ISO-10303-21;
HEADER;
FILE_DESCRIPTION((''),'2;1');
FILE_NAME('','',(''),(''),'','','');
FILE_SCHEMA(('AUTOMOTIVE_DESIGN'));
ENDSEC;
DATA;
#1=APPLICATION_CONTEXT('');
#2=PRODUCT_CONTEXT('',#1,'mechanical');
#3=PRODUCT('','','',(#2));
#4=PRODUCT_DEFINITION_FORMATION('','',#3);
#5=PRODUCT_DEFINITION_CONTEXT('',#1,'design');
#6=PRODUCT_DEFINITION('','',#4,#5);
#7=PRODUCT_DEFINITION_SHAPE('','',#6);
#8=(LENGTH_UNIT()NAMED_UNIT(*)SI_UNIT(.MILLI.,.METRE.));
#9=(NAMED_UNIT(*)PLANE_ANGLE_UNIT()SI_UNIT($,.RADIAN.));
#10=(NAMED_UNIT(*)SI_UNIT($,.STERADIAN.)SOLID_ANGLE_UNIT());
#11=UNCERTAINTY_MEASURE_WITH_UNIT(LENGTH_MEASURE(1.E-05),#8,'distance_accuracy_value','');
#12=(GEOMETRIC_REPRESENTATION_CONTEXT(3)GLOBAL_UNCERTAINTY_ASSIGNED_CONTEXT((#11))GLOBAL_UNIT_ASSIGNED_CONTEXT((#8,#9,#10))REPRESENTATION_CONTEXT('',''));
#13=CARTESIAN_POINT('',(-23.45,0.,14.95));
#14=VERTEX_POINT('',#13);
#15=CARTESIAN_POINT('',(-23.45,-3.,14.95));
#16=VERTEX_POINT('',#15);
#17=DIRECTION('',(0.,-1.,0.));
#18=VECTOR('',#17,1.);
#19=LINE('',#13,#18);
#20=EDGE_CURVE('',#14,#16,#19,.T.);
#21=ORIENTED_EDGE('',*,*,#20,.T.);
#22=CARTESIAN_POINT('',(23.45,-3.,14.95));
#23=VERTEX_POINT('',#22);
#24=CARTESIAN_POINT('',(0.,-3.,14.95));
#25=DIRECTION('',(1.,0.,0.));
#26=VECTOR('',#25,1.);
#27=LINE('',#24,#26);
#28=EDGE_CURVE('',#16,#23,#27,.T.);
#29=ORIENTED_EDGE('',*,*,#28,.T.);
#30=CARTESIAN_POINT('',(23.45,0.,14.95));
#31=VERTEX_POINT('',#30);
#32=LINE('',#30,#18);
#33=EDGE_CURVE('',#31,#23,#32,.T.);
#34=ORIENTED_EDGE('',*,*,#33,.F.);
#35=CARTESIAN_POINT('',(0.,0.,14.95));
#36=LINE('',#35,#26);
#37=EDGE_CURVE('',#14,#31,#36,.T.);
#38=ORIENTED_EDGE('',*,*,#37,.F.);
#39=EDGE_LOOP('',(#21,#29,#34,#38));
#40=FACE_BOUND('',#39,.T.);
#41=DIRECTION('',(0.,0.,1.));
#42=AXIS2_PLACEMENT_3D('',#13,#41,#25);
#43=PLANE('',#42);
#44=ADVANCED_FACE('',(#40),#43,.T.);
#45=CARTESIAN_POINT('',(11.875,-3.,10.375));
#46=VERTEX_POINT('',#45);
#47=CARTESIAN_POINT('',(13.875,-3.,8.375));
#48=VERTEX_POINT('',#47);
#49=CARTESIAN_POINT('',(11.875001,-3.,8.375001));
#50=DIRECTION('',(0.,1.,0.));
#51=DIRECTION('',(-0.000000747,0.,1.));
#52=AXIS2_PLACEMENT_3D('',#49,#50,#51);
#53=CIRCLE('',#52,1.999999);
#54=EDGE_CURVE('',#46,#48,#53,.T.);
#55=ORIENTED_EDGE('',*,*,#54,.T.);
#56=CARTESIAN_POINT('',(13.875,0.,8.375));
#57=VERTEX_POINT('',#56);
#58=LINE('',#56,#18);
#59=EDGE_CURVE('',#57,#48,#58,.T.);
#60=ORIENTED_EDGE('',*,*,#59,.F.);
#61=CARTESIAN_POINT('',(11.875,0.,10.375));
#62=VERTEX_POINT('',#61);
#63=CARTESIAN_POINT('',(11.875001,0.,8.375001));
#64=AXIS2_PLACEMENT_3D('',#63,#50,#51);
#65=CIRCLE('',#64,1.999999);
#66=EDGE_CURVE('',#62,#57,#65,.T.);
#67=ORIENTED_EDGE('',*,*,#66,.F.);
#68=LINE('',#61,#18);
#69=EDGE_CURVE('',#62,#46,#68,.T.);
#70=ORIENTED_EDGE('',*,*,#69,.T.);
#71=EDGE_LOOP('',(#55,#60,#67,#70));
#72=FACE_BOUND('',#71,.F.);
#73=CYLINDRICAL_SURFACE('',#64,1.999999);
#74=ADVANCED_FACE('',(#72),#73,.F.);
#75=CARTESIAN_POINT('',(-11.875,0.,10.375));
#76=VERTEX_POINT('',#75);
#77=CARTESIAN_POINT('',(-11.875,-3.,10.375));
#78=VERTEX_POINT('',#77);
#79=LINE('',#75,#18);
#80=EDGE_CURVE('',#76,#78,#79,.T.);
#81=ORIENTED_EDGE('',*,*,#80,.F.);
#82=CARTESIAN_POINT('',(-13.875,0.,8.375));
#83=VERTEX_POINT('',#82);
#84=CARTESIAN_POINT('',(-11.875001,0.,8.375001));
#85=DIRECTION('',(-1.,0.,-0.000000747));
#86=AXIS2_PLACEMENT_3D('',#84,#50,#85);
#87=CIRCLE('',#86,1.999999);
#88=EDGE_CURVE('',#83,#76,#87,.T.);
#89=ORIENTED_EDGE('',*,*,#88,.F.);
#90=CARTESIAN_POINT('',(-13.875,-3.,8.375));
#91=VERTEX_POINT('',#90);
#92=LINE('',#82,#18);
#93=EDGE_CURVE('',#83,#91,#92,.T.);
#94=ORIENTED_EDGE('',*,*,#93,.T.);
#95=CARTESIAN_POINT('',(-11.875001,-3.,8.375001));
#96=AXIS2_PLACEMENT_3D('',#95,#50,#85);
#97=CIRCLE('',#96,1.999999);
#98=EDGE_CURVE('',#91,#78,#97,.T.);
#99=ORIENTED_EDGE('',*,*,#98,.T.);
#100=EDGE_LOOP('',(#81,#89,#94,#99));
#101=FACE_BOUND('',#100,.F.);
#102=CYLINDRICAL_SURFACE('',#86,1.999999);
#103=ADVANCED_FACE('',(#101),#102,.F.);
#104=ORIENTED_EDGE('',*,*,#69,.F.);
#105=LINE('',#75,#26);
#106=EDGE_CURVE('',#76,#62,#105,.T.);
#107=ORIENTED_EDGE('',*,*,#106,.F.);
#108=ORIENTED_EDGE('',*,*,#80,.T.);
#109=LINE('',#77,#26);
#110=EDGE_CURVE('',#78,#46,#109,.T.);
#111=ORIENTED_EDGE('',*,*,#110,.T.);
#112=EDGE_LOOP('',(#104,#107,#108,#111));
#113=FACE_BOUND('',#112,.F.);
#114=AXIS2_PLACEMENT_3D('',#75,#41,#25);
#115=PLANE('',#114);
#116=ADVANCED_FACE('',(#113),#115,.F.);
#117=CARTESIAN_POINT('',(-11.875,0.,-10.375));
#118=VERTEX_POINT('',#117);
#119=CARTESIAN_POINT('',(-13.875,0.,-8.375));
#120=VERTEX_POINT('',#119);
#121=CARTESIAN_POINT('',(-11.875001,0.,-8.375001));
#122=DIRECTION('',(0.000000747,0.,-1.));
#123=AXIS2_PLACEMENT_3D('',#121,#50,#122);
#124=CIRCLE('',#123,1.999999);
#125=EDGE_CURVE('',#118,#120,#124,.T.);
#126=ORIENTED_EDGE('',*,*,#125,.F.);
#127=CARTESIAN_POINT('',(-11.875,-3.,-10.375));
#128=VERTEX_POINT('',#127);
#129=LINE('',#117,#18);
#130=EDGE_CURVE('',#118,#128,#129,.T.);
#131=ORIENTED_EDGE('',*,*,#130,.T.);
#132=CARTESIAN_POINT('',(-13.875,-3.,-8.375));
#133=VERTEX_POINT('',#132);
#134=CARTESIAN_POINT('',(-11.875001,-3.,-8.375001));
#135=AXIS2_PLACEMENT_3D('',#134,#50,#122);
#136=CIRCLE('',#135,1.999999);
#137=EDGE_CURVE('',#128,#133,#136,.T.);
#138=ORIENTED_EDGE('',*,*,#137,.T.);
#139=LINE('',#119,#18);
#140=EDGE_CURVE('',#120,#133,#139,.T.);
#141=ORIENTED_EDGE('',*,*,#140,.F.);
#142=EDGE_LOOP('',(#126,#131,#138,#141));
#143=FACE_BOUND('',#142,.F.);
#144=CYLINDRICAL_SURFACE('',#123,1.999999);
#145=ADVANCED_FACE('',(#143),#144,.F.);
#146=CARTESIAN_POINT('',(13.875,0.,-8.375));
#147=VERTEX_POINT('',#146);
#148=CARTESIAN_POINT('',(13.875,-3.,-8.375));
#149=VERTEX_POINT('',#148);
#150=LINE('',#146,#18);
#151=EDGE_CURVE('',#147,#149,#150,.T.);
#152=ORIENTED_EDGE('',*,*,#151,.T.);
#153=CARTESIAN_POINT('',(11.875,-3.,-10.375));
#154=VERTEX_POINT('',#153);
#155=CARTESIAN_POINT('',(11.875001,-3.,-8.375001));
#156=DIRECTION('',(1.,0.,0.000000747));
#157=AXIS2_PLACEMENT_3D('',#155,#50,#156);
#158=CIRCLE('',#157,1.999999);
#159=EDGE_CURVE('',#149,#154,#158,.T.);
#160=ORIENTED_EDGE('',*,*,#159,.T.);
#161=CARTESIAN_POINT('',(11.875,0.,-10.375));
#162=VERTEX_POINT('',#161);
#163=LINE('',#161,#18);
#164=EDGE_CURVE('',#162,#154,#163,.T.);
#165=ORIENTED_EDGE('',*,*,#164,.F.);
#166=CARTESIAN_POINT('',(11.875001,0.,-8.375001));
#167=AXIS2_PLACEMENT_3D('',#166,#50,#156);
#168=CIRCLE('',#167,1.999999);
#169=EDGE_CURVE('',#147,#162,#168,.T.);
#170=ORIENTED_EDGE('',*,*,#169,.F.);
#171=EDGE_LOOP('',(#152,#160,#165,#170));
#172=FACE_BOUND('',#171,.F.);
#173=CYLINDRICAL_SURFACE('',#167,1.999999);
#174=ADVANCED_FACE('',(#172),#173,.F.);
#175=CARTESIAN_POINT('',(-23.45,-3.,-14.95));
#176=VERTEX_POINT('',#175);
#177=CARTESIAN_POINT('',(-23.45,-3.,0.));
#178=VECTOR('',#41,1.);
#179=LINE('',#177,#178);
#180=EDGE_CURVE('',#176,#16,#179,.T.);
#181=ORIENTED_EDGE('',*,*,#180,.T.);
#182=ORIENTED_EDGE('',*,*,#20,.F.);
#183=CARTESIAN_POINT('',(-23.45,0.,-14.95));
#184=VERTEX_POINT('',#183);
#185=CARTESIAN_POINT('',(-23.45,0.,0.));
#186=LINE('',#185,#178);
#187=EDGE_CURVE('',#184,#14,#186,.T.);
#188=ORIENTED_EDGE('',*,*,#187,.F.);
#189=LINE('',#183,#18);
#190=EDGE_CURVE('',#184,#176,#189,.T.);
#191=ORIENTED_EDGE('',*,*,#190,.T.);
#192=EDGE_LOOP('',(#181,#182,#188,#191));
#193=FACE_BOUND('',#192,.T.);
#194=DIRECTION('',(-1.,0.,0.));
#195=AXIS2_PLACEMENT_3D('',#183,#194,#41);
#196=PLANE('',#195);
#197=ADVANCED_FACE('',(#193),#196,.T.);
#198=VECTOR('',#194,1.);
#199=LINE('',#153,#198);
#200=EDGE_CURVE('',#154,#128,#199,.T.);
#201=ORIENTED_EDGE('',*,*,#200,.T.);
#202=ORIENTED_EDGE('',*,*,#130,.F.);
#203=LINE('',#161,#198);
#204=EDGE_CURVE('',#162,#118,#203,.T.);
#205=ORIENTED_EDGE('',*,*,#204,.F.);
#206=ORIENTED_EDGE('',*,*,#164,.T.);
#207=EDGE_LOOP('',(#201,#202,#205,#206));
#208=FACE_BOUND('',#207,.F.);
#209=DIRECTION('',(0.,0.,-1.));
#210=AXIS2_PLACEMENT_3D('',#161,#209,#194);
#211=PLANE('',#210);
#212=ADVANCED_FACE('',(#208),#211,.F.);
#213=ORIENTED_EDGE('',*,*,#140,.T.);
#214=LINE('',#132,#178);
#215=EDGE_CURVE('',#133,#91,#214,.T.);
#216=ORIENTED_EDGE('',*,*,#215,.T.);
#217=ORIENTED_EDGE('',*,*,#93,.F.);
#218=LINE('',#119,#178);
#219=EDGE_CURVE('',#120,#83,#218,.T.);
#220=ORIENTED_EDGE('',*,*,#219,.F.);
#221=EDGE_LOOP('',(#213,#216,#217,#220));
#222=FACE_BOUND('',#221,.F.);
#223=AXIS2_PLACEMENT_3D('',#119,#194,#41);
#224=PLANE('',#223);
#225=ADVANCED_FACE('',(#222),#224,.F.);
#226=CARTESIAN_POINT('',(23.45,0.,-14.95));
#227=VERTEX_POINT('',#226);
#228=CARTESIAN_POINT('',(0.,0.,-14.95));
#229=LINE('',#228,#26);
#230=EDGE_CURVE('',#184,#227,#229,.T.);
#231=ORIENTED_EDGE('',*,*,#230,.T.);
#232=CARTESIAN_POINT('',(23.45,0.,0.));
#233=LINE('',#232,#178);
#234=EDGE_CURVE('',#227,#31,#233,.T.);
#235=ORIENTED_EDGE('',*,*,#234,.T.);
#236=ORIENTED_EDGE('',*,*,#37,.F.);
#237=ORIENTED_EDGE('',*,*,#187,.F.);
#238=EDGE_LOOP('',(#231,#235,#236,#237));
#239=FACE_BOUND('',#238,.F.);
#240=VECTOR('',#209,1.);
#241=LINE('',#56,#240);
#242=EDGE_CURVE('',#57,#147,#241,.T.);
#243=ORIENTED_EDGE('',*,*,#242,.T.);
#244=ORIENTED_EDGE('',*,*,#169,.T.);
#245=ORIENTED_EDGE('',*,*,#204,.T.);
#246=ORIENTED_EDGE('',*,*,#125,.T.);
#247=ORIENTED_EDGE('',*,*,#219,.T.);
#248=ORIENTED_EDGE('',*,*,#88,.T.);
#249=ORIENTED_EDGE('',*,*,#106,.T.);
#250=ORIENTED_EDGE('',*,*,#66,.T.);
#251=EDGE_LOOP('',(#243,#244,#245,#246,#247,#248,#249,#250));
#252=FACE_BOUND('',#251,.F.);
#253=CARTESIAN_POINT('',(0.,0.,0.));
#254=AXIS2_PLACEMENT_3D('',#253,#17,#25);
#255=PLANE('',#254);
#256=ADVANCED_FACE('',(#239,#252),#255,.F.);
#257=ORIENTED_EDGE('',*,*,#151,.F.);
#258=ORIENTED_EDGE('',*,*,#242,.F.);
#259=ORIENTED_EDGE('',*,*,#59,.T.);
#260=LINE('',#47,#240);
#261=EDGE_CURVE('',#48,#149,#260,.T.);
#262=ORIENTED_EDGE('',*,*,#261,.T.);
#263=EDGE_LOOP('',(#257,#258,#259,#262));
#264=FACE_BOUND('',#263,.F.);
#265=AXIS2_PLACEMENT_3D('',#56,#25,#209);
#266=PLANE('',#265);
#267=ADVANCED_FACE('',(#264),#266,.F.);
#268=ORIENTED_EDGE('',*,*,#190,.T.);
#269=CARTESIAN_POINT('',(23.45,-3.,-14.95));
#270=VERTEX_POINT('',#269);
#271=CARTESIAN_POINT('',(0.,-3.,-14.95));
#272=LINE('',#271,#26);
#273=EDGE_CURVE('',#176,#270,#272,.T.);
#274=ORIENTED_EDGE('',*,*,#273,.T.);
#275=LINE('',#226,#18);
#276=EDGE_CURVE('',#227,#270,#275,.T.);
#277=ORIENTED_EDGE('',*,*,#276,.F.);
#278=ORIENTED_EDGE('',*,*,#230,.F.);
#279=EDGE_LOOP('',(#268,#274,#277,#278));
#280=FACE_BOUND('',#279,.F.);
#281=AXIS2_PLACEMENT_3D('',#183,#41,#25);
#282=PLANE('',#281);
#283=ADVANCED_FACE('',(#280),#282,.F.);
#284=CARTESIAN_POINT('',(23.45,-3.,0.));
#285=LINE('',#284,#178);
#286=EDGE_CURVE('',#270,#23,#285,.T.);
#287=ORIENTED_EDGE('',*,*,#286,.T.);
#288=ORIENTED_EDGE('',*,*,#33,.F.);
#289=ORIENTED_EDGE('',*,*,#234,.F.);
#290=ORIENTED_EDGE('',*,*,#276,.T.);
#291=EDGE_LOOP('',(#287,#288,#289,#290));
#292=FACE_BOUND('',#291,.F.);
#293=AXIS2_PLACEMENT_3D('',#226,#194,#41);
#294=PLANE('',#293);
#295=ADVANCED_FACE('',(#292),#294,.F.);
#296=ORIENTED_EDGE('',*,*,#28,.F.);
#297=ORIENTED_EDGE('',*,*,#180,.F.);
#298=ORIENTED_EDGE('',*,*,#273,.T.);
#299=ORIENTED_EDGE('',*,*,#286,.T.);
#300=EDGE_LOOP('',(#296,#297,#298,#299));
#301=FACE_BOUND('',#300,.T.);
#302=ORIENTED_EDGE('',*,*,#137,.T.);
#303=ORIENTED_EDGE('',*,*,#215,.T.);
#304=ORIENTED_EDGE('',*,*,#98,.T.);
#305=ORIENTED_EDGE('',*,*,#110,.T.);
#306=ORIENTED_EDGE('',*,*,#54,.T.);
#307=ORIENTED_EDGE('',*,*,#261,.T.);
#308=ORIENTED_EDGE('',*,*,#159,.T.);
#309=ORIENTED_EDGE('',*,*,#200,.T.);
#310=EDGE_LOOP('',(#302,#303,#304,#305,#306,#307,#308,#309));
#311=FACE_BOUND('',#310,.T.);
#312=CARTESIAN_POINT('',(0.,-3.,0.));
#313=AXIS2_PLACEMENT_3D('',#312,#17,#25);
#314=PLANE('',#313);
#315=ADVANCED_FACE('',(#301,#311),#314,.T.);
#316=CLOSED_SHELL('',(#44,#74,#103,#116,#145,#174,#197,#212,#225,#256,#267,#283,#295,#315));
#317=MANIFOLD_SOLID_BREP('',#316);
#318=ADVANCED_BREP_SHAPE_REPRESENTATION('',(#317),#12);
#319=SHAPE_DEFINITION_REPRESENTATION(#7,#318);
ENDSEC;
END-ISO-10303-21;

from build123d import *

# Parameters (mm, degrees)
F0_W     = 46.9
F0_H     = 29.9
F1_DEPTH = 3


with BuildPart() as f1:
    # F0 (on Front) → F1 (new body)
    with BuildSketch(Plane.XZ):
        Rectangle(F0_W, F0_H)
        with BuildLine():
            Line((11.875, -10.375), (-11.875, -10.375))
            ThreePointArc((-11.875, -10.375), (-13.289214, -9.789214), (-13.875, -8.375))
            Line((-13.875, -8.375), (-13.875, 8.375))
            ThreePointArc((-13.875, 8.375), (-13.289214, 9.789214), (-11.875, 10.375))
            Line((-11.875, 10.375), (11.875, 10.375))
            ThreePointArc((11.875, 10.375), (13.289214, 9.789214), (13.875, 8.375))
            Line((13.875, 8.375), (13.875, -8.375))
            ThreePointArc((13.875, -8.375), (13.289214, -9.789214), (11.875, -10.375))
        make_face(mode=Mode.SUBTRACT)
    extrude(amount=F1_DEPTH)


solid = f1.part
